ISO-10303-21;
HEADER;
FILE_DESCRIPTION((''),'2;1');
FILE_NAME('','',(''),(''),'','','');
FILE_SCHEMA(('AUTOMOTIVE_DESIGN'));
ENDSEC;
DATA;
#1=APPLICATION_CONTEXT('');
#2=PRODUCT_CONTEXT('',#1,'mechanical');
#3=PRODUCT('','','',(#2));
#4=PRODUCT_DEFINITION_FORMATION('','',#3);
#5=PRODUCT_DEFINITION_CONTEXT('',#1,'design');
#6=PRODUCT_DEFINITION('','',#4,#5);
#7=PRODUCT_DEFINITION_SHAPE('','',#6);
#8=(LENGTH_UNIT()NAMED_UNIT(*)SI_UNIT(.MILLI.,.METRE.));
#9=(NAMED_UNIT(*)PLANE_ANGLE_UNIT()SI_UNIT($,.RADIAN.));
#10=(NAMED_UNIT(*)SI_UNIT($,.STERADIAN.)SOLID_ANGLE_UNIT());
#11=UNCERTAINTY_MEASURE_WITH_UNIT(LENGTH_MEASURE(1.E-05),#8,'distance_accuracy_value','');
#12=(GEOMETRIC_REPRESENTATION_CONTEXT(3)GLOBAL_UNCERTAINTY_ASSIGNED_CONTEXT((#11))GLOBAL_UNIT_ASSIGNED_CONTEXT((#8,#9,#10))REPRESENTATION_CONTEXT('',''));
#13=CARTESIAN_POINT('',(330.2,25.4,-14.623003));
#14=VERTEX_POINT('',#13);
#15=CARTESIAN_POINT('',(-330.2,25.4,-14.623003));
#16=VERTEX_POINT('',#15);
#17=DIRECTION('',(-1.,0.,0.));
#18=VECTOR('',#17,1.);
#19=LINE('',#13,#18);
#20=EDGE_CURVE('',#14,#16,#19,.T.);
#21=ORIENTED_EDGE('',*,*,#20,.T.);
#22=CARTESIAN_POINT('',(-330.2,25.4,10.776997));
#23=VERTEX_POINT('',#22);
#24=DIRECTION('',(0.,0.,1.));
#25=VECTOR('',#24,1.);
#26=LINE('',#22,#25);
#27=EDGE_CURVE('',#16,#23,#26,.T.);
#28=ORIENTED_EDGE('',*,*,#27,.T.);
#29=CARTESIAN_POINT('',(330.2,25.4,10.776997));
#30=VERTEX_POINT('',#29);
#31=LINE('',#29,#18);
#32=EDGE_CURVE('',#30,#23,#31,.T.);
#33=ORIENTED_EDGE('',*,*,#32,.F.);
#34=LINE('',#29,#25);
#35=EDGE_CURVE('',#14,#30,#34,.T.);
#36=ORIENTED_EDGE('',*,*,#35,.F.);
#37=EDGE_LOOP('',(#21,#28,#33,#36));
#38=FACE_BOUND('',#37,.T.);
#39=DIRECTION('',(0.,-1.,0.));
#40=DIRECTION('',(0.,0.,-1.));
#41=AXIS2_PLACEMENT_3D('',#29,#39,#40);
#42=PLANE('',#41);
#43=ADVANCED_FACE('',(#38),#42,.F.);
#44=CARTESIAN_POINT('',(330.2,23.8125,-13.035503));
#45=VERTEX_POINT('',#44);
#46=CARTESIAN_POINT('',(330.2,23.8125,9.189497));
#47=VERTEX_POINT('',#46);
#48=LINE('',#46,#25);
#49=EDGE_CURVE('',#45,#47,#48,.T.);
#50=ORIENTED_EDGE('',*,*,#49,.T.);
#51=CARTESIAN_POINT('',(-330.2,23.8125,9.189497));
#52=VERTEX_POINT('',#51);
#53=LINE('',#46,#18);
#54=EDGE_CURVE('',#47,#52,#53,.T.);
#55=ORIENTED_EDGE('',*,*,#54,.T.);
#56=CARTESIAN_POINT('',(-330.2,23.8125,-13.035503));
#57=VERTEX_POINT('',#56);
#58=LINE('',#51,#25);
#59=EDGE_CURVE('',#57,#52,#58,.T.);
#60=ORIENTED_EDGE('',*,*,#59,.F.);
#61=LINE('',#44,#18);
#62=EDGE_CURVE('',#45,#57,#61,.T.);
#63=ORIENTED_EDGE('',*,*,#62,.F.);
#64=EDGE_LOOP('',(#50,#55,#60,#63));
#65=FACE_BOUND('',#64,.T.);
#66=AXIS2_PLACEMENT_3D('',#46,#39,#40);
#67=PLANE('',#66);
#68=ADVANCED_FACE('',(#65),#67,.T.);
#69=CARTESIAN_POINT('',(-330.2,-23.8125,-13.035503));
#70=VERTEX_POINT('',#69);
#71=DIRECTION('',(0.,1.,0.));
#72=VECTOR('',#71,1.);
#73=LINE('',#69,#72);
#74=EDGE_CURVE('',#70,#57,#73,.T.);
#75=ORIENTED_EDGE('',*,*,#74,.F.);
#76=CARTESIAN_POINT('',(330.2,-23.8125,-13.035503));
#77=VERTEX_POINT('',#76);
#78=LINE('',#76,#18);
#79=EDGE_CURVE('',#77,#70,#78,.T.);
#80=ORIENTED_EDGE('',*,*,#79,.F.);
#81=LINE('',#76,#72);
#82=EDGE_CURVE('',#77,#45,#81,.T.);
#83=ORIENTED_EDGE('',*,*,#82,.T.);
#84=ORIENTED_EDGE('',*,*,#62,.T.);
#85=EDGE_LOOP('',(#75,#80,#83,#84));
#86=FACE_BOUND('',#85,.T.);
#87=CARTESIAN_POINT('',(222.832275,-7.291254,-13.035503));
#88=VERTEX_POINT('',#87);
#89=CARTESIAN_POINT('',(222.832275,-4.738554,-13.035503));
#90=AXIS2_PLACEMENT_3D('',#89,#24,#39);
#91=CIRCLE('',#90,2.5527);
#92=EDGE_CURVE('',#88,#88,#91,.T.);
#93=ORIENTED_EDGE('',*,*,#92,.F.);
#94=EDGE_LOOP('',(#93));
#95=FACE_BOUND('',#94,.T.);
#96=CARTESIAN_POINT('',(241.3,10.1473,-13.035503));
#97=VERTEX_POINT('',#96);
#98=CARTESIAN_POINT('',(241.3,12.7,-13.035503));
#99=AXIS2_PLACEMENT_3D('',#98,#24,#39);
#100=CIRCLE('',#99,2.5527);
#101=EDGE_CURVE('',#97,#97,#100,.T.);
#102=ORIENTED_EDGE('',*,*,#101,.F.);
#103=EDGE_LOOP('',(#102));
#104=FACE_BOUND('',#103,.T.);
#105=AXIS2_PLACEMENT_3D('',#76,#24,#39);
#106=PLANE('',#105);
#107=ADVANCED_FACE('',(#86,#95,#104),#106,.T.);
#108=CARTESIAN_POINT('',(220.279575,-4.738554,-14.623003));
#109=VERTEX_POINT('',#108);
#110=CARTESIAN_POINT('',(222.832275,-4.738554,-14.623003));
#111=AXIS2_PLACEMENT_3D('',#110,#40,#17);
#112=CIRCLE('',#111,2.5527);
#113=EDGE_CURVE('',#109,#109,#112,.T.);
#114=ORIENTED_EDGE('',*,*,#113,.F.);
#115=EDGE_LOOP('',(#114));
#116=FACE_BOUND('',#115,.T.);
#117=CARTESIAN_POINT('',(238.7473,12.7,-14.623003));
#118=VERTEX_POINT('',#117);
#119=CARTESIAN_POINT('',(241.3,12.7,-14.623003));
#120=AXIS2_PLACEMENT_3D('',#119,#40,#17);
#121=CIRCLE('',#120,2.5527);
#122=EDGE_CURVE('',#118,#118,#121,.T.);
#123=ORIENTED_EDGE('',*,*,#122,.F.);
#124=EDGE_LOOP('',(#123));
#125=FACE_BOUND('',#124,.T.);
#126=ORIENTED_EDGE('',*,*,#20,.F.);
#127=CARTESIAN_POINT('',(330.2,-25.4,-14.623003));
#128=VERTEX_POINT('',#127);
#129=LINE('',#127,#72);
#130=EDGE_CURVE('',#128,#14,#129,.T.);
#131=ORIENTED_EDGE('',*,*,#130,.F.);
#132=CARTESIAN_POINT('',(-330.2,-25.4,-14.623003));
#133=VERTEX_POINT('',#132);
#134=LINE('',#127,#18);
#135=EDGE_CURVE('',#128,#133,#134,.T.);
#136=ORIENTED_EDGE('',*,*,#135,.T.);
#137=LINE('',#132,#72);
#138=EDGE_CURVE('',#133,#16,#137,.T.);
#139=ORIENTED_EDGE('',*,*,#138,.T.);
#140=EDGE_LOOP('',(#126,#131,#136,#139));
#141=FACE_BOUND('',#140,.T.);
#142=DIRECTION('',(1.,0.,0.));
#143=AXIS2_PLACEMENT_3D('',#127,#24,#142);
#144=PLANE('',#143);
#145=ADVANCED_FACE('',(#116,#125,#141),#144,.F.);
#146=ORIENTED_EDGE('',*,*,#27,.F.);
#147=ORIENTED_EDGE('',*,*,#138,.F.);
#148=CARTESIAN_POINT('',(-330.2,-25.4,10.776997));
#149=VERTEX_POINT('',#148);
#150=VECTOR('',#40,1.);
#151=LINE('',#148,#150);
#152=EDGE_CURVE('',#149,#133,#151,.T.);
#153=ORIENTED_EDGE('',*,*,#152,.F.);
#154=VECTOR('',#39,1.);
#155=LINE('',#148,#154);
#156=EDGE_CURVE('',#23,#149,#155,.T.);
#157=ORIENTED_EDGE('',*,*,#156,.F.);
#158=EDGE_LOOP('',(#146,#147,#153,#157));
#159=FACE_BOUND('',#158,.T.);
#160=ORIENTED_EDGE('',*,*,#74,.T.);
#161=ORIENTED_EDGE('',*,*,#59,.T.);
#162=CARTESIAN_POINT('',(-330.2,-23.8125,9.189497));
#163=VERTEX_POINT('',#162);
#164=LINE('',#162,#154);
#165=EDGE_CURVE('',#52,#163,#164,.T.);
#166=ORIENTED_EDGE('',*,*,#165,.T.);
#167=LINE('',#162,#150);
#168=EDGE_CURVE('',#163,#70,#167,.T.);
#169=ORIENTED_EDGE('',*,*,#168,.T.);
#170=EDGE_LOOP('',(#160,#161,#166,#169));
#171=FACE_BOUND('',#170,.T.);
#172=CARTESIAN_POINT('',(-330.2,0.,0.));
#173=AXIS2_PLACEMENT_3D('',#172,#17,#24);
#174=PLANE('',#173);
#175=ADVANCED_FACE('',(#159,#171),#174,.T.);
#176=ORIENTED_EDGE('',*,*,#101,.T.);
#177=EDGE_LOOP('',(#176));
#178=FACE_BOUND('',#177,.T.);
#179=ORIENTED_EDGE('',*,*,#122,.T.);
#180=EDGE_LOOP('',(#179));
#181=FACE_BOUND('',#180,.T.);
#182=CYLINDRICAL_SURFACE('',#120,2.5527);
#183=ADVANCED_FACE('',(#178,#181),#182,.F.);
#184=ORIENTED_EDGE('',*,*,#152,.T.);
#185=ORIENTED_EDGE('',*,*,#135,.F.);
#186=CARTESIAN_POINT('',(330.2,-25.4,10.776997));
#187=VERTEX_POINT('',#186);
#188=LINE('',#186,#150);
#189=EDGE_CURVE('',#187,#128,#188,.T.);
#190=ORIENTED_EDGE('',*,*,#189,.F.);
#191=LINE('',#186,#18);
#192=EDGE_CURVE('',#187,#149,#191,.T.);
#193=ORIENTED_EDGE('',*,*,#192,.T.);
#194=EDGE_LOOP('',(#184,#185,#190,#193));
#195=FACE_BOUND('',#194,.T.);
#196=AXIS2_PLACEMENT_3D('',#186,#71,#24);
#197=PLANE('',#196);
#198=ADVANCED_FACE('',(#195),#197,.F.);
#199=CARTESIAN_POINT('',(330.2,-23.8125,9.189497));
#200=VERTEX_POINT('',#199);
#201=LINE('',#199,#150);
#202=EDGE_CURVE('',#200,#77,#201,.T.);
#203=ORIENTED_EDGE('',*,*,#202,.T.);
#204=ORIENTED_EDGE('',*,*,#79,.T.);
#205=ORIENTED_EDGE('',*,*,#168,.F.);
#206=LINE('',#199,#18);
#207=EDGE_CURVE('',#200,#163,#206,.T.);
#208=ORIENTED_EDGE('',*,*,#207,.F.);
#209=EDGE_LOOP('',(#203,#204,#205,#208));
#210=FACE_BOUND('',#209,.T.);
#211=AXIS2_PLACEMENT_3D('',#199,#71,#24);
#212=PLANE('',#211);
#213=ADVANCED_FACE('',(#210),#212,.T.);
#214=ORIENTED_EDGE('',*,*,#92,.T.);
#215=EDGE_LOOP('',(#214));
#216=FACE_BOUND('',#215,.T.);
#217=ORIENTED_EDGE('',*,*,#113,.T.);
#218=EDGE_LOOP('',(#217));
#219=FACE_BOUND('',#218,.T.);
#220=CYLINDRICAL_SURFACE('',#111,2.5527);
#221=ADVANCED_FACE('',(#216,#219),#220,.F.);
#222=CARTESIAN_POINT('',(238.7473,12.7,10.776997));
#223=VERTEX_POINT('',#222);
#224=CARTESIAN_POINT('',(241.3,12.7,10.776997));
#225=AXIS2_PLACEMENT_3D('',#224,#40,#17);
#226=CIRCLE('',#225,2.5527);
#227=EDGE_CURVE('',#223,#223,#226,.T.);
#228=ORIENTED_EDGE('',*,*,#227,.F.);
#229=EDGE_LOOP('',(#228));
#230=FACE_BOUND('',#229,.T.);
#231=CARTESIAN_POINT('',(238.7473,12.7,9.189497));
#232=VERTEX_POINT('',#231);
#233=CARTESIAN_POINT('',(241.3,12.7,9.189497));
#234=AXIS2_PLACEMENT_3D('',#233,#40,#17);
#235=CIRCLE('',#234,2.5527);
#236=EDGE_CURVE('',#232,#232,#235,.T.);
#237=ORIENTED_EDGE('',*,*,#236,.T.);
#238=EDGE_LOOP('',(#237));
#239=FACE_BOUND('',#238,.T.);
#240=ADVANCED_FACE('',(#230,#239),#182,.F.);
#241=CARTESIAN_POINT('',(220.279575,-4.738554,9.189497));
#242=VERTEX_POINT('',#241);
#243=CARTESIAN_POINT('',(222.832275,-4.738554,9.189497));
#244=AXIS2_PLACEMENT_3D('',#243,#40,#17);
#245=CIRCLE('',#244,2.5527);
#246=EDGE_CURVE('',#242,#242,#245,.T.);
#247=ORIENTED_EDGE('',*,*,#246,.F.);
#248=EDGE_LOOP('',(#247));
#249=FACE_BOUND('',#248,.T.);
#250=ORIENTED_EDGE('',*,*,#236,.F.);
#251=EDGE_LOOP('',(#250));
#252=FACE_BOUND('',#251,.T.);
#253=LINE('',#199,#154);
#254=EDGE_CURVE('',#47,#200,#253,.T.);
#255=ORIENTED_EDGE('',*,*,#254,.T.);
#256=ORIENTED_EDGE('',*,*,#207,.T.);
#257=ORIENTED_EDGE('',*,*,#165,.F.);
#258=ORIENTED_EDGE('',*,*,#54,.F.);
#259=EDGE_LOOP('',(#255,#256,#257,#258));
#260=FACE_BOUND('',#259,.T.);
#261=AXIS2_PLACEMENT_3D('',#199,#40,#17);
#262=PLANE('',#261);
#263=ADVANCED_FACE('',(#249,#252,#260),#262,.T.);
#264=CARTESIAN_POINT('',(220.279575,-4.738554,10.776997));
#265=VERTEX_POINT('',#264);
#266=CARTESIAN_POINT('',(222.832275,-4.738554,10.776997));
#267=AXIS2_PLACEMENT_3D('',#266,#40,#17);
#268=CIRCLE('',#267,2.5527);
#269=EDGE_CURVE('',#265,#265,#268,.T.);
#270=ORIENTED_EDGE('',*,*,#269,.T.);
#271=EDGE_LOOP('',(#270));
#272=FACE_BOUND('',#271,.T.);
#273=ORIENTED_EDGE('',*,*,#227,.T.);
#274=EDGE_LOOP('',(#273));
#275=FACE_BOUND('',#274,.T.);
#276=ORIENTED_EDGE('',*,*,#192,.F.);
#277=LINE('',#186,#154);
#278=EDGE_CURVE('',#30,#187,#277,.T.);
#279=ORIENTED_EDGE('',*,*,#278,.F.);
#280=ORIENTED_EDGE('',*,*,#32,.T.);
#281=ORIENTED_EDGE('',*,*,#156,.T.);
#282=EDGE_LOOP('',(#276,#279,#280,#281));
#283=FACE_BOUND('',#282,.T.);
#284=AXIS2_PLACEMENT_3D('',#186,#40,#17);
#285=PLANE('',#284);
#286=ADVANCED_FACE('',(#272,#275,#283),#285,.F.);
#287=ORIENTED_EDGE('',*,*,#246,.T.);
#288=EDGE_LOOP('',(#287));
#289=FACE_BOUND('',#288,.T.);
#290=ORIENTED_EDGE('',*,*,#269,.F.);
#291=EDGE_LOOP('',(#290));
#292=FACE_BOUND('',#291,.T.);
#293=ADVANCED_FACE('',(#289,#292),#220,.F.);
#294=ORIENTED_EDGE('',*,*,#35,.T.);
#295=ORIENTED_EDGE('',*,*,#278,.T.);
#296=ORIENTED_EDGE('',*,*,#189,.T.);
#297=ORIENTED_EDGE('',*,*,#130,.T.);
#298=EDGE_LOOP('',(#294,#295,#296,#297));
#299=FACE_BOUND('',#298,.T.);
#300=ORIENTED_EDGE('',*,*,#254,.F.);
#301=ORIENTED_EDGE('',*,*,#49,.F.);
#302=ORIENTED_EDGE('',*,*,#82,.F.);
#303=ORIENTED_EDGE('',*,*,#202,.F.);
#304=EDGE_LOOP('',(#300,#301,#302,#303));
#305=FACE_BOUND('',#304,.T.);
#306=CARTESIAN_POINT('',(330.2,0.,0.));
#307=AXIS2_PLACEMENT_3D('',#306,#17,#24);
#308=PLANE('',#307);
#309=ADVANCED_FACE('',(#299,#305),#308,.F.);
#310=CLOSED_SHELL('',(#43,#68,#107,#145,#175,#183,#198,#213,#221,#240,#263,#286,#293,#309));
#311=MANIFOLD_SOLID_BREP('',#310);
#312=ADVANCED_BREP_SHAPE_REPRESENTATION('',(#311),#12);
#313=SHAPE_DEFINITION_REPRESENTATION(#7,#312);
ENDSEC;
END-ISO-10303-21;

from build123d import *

# Parameters (mm, degrees)
SKETCH1_W              = 25.4
SKETCH1_H              = 50.8
SKETCH1_W_2            = 22.225
SKETCH1_H_2            = 47.625
BOSS_EXTRUDE1_DEPTH    = 330.2
F_10_CLEARANCE_HOLE1_D = 5.1054


with BuildPart() as part:
    # Sketch1 → Boss-Extrude1 (new, symmetric)
    with BuildSketch(Plane(origin=(0, 0, 0), x_dir=(0, 0, -1), z_dir=(1, 0, 0))):
        with Locations((1.923003206, 0)):
            Rectangle(SKETCH1_W, SKETCH1_H)
        with Locations((1.923003206, 0)):
            Rectangle(SKETCH1_W_2, SKETCH1_H_2, mode=Mode.SUBTRACT)
    extrude(amount=BOSS_EXTRUDE1_DEPTH, both=True)

    # #10 Clearance Hole1 (through all)
    with Locations(Plane(origin=(0, 0, -14.623003206), x_dir=(-1, 0, 0), z_dir=(0, 0, -1))):
        with Locations((-241.3, 12.7), (-222.832275442, -4.738553542)):
            Hole(F_10_CLEARANCE_HOLE1_D / 2)


solid = part.part
